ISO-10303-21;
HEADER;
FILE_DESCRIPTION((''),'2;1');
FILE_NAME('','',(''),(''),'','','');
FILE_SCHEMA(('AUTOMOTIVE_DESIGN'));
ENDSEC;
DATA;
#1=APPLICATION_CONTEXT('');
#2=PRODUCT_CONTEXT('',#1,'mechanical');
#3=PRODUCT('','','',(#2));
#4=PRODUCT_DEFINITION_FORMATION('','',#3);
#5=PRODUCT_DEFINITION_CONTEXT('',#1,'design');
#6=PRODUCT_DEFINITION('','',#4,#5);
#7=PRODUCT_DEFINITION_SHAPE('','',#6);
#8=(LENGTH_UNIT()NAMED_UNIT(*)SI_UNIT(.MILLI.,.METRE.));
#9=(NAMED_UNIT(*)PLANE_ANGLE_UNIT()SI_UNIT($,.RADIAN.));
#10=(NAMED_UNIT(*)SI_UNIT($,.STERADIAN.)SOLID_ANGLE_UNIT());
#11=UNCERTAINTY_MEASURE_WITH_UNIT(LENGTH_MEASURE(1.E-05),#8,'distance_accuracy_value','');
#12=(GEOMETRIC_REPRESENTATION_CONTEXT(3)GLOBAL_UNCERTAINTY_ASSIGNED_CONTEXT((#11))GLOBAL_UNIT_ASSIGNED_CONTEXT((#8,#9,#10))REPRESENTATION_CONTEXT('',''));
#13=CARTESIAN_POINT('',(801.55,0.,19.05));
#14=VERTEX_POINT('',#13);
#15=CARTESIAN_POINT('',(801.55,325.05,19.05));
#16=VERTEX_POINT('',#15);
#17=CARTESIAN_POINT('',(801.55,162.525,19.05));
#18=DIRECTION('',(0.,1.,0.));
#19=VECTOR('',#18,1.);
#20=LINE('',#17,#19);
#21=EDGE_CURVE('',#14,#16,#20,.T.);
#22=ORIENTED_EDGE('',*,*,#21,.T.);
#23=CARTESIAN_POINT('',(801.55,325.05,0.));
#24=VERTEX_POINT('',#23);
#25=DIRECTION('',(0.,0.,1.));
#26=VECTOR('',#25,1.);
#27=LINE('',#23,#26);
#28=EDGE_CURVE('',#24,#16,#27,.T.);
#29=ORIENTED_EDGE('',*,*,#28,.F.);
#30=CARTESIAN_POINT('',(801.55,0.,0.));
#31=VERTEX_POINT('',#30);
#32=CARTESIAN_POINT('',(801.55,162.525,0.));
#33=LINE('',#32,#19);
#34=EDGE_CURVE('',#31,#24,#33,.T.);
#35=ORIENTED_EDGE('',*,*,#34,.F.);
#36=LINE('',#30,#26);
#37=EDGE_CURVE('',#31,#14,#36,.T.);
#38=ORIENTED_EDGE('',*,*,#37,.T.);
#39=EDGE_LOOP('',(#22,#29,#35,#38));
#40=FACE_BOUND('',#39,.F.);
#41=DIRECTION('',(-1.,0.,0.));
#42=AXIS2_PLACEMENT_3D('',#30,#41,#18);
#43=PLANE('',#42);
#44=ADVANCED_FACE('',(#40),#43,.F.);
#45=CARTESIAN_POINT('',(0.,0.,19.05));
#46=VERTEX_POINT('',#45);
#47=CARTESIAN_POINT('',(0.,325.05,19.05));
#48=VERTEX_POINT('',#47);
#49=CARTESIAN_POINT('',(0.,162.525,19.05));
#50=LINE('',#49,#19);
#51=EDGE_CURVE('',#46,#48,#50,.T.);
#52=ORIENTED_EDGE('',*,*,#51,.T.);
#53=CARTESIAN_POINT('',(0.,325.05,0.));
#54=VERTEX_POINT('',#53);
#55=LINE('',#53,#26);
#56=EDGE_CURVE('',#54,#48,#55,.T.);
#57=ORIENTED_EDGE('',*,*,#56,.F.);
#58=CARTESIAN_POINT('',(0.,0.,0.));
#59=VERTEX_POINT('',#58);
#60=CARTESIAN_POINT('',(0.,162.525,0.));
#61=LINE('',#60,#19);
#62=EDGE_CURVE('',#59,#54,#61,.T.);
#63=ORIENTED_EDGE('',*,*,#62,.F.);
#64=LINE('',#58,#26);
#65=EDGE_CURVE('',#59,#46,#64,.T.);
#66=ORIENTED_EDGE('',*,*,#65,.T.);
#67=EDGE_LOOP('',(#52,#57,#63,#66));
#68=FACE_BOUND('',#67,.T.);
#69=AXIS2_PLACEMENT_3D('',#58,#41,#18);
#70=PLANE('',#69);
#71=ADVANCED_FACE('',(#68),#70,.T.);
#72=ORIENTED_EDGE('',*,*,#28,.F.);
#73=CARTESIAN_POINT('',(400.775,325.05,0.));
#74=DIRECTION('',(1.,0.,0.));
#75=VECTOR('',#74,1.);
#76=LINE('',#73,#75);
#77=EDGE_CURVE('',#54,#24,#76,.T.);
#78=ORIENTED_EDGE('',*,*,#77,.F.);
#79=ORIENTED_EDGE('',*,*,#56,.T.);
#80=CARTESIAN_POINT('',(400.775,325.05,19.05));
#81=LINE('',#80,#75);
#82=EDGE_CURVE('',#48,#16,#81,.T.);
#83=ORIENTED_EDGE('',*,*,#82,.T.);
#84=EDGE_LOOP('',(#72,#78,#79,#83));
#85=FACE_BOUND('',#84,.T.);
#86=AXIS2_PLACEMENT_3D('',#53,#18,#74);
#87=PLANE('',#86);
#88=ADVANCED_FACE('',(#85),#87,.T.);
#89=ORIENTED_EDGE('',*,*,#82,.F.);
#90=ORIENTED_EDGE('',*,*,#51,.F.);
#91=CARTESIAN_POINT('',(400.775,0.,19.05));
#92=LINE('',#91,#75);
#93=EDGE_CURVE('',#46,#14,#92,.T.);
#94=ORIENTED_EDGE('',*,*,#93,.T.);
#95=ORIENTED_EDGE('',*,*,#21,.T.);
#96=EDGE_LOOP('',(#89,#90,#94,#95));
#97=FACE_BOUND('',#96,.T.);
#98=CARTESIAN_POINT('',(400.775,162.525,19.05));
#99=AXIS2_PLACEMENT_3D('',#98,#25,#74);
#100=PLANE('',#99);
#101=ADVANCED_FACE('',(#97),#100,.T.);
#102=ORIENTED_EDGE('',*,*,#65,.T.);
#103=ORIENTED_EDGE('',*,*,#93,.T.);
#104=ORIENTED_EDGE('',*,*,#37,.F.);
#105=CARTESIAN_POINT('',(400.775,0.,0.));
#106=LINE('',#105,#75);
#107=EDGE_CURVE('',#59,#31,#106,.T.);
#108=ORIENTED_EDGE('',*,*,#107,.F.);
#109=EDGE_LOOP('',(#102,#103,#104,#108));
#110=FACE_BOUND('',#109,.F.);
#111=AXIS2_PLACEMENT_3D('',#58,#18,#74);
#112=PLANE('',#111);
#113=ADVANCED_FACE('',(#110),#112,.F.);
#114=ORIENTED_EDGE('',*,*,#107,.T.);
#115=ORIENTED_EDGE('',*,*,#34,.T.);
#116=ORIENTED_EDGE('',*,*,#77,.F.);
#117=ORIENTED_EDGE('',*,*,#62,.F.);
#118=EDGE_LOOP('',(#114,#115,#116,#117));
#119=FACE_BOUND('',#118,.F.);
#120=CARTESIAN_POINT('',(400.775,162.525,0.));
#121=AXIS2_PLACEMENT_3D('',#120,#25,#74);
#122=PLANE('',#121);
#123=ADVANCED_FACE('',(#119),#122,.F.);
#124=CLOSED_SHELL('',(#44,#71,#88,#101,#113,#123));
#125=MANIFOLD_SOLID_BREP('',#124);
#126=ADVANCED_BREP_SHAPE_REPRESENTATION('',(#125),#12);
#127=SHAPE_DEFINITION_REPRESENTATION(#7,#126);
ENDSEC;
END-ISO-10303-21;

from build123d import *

# Parameters (mm, degrees)
SKETCH_W  = 801.55
SKETCH_H  = 325.05
PAD_DEPTH = 19.05


with BuildPart() as part:
    # Sketch → Pad (new body)
    with BuildSketch(Plane.XY):
        with Locations((400.775, 162.525)):
            Rectangle(SKETCH_W, SKETCH_H)
    extrude(amount=PAD_DEPTH)


solid = part.part
